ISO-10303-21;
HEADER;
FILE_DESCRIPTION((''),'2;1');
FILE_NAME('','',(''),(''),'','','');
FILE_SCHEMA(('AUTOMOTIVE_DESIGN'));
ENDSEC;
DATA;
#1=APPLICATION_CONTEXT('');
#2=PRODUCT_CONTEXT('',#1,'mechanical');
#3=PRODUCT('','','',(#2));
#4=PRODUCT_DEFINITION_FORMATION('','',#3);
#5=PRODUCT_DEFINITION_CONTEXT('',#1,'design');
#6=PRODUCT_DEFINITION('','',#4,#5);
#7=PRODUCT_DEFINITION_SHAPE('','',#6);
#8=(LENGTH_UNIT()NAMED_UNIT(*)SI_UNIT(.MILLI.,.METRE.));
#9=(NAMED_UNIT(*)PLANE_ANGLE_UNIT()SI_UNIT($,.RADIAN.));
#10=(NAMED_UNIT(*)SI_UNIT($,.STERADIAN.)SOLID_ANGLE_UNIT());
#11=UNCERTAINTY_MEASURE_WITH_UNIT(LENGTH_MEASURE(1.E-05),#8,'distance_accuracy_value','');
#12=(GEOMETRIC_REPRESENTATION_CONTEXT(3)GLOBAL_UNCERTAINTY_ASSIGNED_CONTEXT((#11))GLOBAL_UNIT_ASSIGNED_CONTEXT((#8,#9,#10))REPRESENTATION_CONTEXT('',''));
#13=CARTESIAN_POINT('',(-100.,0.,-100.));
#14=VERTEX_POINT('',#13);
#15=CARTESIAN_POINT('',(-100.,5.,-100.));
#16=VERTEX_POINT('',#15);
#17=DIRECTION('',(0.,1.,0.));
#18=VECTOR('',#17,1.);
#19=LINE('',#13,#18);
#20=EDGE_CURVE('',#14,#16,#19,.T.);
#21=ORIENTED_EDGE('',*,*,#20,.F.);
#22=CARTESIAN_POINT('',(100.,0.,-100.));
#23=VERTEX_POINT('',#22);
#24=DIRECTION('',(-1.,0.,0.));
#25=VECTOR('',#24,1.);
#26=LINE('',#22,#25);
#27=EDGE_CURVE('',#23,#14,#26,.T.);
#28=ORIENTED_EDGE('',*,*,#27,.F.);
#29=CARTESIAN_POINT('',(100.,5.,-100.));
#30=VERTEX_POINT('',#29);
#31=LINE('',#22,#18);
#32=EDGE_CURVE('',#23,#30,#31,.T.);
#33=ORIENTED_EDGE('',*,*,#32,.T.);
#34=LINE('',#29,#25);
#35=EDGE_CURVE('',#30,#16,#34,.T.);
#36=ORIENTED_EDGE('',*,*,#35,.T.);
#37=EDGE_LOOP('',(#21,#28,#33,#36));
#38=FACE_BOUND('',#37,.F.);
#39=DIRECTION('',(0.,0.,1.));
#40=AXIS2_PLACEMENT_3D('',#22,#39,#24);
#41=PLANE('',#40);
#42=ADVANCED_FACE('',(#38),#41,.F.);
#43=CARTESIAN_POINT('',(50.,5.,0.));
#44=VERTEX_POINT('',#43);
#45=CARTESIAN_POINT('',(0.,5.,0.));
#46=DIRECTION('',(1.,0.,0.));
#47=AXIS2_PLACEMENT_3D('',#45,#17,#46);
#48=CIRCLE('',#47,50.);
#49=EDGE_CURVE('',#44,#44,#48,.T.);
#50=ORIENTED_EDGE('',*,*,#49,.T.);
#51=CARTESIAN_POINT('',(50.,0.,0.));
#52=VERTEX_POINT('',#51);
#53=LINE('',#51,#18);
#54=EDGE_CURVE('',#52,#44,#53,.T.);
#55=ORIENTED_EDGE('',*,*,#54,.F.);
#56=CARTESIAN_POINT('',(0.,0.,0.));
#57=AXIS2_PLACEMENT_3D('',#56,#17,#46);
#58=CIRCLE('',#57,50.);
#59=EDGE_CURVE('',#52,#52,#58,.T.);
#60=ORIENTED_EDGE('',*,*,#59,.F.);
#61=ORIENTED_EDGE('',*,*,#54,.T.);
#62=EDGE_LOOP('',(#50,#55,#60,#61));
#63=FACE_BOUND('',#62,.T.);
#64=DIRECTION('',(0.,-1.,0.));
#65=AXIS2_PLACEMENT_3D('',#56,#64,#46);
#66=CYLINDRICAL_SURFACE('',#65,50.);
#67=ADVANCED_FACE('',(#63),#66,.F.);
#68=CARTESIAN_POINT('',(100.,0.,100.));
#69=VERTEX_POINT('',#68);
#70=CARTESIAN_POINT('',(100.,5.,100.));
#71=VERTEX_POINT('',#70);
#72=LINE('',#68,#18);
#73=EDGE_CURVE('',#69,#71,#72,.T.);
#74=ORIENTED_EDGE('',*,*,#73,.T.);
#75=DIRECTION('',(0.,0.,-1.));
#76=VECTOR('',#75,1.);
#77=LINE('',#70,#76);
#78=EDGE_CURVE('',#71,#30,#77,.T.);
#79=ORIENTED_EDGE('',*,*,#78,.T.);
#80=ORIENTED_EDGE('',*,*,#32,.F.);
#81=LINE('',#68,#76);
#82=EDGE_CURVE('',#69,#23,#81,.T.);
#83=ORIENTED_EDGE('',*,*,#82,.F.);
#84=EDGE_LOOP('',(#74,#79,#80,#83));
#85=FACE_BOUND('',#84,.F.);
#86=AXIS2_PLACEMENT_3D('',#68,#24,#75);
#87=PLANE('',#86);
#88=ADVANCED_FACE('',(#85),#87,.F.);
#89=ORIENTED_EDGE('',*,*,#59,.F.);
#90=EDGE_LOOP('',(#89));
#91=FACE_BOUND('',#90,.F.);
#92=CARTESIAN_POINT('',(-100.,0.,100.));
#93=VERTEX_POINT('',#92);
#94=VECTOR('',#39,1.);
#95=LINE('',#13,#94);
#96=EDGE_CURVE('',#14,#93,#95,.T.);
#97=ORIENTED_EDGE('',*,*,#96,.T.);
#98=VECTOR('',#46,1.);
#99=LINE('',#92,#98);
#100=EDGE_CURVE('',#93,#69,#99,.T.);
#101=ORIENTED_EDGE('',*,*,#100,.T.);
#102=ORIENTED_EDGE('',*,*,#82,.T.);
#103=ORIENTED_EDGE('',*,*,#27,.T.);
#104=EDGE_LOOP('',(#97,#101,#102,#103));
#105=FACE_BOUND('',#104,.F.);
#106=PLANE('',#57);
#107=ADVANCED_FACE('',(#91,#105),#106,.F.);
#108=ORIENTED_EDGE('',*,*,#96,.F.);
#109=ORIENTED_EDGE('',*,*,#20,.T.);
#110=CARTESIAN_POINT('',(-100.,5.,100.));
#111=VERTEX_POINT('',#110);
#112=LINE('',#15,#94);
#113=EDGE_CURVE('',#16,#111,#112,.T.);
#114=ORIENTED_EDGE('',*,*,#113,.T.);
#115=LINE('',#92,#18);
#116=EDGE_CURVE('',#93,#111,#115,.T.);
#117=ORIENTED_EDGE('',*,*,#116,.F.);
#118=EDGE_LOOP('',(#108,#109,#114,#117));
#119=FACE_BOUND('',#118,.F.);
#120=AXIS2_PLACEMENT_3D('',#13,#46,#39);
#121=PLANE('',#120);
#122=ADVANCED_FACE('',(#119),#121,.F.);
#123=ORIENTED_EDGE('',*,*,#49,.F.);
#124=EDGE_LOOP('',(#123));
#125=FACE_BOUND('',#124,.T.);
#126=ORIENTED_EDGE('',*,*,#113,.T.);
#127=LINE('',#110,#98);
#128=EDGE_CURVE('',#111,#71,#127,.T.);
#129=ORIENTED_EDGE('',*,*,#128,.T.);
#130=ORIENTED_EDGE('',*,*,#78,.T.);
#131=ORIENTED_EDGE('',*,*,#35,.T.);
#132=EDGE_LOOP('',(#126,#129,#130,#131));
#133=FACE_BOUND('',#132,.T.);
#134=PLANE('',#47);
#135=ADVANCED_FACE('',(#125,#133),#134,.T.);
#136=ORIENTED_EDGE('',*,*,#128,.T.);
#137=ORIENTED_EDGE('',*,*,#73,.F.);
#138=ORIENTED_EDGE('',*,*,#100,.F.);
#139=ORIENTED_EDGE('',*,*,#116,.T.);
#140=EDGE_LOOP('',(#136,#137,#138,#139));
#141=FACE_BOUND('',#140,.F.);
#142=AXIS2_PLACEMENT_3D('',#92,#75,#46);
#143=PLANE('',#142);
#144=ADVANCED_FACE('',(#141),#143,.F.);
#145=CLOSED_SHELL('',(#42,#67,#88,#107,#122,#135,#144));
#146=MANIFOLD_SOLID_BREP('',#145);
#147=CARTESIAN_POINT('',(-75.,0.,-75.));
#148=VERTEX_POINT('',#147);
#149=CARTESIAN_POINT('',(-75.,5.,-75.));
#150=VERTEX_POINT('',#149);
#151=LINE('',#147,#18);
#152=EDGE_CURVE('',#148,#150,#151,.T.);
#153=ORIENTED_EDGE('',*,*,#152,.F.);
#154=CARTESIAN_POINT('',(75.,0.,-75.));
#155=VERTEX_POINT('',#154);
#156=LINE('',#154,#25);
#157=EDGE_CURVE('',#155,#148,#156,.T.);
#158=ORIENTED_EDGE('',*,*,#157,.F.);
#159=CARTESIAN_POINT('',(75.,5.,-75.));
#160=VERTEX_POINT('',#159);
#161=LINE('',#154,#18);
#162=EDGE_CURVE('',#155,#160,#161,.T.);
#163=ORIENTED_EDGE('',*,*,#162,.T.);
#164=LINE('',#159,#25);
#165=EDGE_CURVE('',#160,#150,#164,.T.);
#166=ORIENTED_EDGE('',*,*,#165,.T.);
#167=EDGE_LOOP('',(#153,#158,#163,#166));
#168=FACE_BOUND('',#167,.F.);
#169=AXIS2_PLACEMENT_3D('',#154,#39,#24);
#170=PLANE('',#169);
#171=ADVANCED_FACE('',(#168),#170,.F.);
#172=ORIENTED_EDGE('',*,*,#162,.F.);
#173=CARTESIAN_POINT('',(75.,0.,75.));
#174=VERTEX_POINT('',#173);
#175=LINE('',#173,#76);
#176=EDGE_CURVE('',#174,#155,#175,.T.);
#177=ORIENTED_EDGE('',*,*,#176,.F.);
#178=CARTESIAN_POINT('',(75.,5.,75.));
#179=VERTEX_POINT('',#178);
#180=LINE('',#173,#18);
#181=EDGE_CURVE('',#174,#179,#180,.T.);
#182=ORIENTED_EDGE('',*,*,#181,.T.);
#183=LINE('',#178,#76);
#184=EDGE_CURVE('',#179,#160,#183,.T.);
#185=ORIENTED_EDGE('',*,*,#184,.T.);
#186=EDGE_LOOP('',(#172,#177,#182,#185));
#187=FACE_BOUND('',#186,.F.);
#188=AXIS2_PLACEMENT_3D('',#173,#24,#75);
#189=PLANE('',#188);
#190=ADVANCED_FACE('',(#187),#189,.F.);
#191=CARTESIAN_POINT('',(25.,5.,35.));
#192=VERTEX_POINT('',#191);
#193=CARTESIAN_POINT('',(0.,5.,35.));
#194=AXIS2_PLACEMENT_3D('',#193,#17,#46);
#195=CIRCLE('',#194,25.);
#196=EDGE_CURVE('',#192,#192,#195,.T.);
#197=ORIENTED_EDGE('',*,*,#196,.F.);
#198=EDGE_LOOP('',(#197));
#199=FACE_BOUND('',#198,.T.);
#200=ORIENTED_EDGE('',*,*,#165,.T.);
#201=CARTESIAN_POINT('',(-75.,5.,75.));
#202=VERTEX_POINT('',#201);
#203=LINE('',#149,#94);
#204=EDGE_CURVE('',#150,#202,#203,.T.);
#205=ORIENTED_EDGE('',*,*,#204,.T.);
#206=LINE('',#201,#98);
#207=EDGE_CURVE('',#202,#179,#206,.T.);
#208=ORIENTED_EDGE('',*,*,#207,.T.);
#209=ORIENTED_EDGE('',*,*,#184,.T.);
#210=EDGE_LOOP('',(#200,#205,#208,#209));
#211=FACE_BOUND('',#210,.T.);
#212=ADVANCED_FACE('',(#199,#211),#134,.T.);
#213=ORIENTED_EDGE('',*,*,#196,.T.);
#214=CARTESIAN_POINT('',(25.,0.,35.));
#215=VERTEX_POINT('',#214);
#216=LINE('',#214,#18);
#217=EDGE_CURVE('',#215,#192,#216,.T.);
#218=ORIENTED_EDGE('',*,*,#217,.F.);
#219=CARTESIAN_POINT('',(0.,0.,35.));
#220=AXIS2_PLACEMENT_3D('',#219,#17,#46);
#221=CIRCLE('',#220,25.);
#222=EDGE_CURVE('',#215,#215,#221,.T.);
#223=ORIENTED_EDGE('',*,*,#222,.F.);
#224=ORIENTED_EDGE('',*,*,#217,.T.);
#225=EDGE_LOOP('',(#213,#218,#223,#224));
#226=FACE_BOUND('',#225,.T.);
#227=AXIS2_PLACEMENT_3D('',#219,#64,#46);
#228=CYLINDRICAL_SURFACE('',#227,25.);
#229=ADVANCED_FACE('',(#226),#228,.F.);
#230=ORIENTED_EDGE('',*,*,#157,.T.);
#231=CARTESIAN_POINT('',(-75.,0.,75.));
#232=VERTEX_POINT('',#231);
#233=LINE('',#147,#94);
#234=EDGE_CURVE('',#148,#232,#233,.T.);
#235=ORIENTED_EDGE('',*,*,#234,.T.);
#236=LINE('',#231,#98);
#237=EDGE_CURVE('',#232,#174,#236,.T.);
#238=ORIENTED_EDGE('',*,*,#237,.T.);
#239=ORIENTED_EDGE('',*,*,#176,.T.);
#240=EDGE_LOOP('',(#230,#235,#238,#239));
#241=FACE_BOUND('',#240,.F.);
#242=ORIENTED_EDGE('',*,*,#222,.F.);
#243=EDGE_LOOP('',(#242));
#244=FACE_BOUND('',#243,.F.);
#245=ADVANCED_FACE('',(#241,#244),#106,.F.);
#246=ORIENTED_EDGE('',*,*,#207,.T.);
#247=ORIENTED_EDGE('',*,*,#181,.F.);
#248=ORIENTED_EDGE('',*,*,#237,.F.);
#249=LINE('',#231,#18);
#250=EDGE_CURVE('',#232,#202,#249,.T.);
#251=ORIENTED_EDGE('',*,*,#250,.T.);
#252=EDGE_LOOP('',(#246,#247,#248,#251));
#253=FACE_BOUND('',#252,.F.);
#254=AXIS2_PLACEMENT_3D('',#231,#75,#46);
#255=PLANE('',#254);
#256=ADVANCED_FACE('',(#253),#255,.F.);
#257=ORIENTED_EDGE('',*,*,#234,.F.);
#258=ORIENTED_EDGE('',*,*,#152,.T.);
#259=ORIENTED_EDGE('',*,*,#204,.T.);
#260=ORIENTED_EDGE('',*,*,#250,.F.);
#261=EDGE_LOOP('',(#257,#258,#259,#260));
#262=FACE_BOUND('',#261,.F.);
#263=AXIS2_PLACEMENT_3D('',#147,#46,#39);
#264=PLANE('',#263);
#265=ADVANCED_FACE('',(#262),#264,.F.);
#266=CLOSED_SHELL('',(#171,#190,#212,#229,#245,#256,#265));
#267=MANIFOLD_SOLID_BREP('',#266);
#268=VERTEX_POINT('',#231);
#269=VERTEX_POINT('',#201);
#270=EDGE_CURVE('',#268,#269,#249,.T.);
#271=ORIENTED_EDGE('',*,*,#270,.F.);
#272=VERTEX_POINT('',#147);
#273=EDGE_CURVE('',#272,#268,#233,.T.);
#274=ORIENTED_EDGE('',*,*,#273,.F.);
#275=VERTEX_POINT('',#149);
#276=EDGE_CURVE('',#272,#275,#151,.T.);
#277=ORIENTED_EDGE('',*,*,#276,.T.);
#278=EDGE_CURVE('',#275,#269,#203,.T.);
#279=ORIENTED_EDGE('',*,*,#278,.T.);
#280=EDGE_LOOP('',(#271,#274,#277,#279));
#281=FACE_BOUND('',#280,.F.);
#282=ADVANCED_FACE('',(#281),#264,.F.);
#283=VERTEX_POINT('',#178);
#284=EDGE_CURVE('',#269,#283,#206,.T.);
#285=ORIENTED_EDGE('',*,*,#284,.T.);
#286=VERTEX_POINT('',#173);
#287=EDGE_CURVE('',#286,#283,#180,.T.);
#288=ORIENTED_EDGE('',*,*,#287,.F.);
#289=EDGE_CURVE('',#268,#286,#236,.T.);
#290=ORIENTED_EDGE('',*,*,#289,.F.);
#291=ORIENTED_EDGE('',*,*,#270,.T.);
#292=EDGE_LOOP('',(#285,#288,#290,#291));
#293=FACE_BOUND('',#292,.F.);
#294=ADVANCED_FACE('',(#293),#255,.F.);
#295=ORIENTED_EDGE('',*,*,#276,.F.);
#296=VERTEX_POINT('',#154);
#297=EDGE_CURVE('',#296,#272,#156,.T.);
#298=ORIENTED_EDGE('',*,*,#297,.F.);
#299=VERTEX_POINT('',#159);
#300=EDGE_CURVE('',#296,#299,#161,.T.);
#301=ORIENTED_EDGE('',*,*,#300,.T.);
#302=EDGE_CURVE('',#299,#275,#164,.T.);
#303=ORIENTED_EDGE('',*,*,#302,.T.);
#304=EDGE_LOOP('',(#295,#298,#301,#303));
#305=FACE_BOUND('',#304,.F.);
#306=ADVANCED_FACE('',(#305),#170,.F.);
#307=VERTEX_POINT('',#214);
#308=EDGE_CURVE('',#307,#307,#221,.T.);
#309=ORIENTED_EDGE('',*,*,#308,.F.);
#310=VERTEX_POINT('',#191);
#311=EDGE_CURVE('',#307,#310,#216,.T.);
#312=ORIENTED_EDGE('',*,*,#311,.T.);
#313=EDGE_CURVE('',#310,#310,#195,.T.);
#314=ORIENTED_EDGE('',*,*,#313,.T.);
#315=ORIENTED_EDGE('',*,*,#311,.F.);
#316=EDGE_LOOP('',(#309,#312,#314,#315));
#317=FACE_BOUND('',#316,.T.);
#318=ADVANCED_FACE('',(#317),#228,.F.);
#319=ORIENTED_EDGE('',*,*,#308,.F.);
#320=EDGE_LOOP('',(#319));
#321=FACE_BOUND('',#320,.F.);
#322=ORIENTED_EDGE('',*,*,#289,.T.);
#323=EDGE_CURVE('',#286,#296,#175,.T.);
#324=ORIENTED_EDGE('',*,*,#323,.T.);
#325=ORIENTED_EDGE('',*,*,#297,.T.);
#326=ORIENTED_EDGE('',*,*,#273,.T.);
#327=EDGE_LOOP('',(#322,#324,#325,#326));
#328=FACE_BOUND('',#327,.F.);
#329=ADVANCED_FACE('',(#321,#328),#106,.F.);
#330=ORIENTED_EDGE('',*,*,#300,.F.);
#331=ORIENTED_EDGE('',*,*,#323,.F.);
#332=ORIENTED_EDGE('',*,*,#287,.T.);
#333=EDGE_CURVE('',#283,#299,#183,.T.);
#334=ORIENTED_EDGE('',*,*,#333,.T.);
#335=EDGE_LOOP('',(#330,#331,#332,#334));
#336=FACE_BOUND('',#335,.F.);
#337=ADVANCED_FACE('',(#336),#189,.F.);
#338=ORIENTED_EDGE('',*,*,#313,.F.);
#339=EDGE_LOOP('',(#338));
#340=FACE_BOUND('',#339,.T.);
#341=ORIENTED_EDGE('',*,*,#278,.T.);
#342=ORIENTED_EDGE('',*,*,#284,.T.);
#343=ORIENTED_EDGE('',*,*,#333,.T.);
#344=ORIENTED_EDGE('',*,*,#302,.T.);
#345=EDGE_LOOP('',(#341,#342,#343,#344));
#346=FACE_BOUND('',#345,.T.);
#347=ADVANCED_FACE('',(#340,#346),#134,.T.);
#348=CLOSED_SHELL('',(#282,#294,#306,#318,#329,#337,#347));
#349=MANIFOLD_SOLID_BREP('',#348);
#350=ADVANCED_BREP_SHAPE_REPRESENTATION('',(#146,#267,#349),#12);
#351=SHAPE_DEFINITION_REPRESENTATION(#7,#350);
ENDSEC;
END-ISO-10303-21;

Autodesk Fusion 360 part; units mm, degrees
sketch "Sketch1" plane through (0, 0, 0) normal (0, 1, 0) x (1, 0, 0) in component "Design Intent 1"
  line L0 (100, 100) -> (-100, 100)
  line L1 (-100, 100) -> (-100, -100)
  line L2 (-100, -100) -> (100, -100)
  line L3 (100, -100) -> (100, 100)
  line L4 (100, 100) -> (-100, -100) construction
  line L5 (-100, 100) -> (100, -100) construction
  circle A0 centre (0, 0) radius 50
  dimension "d1" = 200
  dimension "d2" = 100
extrude "Extrude1" add sketch "Sketch1" along normal blind 5 makes body 1 in component "Design Intent 1"
sketch "Sketch1 (2)" plane through (0, 0, 0) normal (0, 1, 0) x (1, 0, 0) in component "Design Intent 2"
  line L0 (75, 75) -> (-75, 75)
  line L1 (-75, 75) -> (-75, -75)
  line L2 (-75, -75) -> (75, -75)
  line L3 (75, -75) -> (75, 75)
  line L4 (75, 75) -> (-75, -75) construction
  line L5 (-75, 75) -> (75, -75) construction
  circle A0 centre (0, -35) radius 25
  dimension "d1_1" = 150
  dimension "d2_1" = 50
  dimension "d5" = 40
extrude "Extrude2" add sketch "Sketch1 (2)" along normal blind 5 separate body makes body 2 in component "Design Intent 1"
extrude "Extrude2'" add sketch "Sketch1 (2)" along normal blind 5 separate body makes body 3 in component "Design Intent 2"
extrude "Extrude1'" add sketch "Sketch1 (2)" along normal blind 5 separate body makes body 4 in component "Design Intent 2"
component "Design Intent 1" placed x (1, 0, 0) y (0, 1, 0) z (0, 0, 1) at (0, 0, 0)
component "Design Intent 2" placed x (1, 0, 0) y (0, 1, 0) z (0, 0, 1) at (0, 0, 0)
hidden bodies 2
equation "d2 = d1 / 2"
